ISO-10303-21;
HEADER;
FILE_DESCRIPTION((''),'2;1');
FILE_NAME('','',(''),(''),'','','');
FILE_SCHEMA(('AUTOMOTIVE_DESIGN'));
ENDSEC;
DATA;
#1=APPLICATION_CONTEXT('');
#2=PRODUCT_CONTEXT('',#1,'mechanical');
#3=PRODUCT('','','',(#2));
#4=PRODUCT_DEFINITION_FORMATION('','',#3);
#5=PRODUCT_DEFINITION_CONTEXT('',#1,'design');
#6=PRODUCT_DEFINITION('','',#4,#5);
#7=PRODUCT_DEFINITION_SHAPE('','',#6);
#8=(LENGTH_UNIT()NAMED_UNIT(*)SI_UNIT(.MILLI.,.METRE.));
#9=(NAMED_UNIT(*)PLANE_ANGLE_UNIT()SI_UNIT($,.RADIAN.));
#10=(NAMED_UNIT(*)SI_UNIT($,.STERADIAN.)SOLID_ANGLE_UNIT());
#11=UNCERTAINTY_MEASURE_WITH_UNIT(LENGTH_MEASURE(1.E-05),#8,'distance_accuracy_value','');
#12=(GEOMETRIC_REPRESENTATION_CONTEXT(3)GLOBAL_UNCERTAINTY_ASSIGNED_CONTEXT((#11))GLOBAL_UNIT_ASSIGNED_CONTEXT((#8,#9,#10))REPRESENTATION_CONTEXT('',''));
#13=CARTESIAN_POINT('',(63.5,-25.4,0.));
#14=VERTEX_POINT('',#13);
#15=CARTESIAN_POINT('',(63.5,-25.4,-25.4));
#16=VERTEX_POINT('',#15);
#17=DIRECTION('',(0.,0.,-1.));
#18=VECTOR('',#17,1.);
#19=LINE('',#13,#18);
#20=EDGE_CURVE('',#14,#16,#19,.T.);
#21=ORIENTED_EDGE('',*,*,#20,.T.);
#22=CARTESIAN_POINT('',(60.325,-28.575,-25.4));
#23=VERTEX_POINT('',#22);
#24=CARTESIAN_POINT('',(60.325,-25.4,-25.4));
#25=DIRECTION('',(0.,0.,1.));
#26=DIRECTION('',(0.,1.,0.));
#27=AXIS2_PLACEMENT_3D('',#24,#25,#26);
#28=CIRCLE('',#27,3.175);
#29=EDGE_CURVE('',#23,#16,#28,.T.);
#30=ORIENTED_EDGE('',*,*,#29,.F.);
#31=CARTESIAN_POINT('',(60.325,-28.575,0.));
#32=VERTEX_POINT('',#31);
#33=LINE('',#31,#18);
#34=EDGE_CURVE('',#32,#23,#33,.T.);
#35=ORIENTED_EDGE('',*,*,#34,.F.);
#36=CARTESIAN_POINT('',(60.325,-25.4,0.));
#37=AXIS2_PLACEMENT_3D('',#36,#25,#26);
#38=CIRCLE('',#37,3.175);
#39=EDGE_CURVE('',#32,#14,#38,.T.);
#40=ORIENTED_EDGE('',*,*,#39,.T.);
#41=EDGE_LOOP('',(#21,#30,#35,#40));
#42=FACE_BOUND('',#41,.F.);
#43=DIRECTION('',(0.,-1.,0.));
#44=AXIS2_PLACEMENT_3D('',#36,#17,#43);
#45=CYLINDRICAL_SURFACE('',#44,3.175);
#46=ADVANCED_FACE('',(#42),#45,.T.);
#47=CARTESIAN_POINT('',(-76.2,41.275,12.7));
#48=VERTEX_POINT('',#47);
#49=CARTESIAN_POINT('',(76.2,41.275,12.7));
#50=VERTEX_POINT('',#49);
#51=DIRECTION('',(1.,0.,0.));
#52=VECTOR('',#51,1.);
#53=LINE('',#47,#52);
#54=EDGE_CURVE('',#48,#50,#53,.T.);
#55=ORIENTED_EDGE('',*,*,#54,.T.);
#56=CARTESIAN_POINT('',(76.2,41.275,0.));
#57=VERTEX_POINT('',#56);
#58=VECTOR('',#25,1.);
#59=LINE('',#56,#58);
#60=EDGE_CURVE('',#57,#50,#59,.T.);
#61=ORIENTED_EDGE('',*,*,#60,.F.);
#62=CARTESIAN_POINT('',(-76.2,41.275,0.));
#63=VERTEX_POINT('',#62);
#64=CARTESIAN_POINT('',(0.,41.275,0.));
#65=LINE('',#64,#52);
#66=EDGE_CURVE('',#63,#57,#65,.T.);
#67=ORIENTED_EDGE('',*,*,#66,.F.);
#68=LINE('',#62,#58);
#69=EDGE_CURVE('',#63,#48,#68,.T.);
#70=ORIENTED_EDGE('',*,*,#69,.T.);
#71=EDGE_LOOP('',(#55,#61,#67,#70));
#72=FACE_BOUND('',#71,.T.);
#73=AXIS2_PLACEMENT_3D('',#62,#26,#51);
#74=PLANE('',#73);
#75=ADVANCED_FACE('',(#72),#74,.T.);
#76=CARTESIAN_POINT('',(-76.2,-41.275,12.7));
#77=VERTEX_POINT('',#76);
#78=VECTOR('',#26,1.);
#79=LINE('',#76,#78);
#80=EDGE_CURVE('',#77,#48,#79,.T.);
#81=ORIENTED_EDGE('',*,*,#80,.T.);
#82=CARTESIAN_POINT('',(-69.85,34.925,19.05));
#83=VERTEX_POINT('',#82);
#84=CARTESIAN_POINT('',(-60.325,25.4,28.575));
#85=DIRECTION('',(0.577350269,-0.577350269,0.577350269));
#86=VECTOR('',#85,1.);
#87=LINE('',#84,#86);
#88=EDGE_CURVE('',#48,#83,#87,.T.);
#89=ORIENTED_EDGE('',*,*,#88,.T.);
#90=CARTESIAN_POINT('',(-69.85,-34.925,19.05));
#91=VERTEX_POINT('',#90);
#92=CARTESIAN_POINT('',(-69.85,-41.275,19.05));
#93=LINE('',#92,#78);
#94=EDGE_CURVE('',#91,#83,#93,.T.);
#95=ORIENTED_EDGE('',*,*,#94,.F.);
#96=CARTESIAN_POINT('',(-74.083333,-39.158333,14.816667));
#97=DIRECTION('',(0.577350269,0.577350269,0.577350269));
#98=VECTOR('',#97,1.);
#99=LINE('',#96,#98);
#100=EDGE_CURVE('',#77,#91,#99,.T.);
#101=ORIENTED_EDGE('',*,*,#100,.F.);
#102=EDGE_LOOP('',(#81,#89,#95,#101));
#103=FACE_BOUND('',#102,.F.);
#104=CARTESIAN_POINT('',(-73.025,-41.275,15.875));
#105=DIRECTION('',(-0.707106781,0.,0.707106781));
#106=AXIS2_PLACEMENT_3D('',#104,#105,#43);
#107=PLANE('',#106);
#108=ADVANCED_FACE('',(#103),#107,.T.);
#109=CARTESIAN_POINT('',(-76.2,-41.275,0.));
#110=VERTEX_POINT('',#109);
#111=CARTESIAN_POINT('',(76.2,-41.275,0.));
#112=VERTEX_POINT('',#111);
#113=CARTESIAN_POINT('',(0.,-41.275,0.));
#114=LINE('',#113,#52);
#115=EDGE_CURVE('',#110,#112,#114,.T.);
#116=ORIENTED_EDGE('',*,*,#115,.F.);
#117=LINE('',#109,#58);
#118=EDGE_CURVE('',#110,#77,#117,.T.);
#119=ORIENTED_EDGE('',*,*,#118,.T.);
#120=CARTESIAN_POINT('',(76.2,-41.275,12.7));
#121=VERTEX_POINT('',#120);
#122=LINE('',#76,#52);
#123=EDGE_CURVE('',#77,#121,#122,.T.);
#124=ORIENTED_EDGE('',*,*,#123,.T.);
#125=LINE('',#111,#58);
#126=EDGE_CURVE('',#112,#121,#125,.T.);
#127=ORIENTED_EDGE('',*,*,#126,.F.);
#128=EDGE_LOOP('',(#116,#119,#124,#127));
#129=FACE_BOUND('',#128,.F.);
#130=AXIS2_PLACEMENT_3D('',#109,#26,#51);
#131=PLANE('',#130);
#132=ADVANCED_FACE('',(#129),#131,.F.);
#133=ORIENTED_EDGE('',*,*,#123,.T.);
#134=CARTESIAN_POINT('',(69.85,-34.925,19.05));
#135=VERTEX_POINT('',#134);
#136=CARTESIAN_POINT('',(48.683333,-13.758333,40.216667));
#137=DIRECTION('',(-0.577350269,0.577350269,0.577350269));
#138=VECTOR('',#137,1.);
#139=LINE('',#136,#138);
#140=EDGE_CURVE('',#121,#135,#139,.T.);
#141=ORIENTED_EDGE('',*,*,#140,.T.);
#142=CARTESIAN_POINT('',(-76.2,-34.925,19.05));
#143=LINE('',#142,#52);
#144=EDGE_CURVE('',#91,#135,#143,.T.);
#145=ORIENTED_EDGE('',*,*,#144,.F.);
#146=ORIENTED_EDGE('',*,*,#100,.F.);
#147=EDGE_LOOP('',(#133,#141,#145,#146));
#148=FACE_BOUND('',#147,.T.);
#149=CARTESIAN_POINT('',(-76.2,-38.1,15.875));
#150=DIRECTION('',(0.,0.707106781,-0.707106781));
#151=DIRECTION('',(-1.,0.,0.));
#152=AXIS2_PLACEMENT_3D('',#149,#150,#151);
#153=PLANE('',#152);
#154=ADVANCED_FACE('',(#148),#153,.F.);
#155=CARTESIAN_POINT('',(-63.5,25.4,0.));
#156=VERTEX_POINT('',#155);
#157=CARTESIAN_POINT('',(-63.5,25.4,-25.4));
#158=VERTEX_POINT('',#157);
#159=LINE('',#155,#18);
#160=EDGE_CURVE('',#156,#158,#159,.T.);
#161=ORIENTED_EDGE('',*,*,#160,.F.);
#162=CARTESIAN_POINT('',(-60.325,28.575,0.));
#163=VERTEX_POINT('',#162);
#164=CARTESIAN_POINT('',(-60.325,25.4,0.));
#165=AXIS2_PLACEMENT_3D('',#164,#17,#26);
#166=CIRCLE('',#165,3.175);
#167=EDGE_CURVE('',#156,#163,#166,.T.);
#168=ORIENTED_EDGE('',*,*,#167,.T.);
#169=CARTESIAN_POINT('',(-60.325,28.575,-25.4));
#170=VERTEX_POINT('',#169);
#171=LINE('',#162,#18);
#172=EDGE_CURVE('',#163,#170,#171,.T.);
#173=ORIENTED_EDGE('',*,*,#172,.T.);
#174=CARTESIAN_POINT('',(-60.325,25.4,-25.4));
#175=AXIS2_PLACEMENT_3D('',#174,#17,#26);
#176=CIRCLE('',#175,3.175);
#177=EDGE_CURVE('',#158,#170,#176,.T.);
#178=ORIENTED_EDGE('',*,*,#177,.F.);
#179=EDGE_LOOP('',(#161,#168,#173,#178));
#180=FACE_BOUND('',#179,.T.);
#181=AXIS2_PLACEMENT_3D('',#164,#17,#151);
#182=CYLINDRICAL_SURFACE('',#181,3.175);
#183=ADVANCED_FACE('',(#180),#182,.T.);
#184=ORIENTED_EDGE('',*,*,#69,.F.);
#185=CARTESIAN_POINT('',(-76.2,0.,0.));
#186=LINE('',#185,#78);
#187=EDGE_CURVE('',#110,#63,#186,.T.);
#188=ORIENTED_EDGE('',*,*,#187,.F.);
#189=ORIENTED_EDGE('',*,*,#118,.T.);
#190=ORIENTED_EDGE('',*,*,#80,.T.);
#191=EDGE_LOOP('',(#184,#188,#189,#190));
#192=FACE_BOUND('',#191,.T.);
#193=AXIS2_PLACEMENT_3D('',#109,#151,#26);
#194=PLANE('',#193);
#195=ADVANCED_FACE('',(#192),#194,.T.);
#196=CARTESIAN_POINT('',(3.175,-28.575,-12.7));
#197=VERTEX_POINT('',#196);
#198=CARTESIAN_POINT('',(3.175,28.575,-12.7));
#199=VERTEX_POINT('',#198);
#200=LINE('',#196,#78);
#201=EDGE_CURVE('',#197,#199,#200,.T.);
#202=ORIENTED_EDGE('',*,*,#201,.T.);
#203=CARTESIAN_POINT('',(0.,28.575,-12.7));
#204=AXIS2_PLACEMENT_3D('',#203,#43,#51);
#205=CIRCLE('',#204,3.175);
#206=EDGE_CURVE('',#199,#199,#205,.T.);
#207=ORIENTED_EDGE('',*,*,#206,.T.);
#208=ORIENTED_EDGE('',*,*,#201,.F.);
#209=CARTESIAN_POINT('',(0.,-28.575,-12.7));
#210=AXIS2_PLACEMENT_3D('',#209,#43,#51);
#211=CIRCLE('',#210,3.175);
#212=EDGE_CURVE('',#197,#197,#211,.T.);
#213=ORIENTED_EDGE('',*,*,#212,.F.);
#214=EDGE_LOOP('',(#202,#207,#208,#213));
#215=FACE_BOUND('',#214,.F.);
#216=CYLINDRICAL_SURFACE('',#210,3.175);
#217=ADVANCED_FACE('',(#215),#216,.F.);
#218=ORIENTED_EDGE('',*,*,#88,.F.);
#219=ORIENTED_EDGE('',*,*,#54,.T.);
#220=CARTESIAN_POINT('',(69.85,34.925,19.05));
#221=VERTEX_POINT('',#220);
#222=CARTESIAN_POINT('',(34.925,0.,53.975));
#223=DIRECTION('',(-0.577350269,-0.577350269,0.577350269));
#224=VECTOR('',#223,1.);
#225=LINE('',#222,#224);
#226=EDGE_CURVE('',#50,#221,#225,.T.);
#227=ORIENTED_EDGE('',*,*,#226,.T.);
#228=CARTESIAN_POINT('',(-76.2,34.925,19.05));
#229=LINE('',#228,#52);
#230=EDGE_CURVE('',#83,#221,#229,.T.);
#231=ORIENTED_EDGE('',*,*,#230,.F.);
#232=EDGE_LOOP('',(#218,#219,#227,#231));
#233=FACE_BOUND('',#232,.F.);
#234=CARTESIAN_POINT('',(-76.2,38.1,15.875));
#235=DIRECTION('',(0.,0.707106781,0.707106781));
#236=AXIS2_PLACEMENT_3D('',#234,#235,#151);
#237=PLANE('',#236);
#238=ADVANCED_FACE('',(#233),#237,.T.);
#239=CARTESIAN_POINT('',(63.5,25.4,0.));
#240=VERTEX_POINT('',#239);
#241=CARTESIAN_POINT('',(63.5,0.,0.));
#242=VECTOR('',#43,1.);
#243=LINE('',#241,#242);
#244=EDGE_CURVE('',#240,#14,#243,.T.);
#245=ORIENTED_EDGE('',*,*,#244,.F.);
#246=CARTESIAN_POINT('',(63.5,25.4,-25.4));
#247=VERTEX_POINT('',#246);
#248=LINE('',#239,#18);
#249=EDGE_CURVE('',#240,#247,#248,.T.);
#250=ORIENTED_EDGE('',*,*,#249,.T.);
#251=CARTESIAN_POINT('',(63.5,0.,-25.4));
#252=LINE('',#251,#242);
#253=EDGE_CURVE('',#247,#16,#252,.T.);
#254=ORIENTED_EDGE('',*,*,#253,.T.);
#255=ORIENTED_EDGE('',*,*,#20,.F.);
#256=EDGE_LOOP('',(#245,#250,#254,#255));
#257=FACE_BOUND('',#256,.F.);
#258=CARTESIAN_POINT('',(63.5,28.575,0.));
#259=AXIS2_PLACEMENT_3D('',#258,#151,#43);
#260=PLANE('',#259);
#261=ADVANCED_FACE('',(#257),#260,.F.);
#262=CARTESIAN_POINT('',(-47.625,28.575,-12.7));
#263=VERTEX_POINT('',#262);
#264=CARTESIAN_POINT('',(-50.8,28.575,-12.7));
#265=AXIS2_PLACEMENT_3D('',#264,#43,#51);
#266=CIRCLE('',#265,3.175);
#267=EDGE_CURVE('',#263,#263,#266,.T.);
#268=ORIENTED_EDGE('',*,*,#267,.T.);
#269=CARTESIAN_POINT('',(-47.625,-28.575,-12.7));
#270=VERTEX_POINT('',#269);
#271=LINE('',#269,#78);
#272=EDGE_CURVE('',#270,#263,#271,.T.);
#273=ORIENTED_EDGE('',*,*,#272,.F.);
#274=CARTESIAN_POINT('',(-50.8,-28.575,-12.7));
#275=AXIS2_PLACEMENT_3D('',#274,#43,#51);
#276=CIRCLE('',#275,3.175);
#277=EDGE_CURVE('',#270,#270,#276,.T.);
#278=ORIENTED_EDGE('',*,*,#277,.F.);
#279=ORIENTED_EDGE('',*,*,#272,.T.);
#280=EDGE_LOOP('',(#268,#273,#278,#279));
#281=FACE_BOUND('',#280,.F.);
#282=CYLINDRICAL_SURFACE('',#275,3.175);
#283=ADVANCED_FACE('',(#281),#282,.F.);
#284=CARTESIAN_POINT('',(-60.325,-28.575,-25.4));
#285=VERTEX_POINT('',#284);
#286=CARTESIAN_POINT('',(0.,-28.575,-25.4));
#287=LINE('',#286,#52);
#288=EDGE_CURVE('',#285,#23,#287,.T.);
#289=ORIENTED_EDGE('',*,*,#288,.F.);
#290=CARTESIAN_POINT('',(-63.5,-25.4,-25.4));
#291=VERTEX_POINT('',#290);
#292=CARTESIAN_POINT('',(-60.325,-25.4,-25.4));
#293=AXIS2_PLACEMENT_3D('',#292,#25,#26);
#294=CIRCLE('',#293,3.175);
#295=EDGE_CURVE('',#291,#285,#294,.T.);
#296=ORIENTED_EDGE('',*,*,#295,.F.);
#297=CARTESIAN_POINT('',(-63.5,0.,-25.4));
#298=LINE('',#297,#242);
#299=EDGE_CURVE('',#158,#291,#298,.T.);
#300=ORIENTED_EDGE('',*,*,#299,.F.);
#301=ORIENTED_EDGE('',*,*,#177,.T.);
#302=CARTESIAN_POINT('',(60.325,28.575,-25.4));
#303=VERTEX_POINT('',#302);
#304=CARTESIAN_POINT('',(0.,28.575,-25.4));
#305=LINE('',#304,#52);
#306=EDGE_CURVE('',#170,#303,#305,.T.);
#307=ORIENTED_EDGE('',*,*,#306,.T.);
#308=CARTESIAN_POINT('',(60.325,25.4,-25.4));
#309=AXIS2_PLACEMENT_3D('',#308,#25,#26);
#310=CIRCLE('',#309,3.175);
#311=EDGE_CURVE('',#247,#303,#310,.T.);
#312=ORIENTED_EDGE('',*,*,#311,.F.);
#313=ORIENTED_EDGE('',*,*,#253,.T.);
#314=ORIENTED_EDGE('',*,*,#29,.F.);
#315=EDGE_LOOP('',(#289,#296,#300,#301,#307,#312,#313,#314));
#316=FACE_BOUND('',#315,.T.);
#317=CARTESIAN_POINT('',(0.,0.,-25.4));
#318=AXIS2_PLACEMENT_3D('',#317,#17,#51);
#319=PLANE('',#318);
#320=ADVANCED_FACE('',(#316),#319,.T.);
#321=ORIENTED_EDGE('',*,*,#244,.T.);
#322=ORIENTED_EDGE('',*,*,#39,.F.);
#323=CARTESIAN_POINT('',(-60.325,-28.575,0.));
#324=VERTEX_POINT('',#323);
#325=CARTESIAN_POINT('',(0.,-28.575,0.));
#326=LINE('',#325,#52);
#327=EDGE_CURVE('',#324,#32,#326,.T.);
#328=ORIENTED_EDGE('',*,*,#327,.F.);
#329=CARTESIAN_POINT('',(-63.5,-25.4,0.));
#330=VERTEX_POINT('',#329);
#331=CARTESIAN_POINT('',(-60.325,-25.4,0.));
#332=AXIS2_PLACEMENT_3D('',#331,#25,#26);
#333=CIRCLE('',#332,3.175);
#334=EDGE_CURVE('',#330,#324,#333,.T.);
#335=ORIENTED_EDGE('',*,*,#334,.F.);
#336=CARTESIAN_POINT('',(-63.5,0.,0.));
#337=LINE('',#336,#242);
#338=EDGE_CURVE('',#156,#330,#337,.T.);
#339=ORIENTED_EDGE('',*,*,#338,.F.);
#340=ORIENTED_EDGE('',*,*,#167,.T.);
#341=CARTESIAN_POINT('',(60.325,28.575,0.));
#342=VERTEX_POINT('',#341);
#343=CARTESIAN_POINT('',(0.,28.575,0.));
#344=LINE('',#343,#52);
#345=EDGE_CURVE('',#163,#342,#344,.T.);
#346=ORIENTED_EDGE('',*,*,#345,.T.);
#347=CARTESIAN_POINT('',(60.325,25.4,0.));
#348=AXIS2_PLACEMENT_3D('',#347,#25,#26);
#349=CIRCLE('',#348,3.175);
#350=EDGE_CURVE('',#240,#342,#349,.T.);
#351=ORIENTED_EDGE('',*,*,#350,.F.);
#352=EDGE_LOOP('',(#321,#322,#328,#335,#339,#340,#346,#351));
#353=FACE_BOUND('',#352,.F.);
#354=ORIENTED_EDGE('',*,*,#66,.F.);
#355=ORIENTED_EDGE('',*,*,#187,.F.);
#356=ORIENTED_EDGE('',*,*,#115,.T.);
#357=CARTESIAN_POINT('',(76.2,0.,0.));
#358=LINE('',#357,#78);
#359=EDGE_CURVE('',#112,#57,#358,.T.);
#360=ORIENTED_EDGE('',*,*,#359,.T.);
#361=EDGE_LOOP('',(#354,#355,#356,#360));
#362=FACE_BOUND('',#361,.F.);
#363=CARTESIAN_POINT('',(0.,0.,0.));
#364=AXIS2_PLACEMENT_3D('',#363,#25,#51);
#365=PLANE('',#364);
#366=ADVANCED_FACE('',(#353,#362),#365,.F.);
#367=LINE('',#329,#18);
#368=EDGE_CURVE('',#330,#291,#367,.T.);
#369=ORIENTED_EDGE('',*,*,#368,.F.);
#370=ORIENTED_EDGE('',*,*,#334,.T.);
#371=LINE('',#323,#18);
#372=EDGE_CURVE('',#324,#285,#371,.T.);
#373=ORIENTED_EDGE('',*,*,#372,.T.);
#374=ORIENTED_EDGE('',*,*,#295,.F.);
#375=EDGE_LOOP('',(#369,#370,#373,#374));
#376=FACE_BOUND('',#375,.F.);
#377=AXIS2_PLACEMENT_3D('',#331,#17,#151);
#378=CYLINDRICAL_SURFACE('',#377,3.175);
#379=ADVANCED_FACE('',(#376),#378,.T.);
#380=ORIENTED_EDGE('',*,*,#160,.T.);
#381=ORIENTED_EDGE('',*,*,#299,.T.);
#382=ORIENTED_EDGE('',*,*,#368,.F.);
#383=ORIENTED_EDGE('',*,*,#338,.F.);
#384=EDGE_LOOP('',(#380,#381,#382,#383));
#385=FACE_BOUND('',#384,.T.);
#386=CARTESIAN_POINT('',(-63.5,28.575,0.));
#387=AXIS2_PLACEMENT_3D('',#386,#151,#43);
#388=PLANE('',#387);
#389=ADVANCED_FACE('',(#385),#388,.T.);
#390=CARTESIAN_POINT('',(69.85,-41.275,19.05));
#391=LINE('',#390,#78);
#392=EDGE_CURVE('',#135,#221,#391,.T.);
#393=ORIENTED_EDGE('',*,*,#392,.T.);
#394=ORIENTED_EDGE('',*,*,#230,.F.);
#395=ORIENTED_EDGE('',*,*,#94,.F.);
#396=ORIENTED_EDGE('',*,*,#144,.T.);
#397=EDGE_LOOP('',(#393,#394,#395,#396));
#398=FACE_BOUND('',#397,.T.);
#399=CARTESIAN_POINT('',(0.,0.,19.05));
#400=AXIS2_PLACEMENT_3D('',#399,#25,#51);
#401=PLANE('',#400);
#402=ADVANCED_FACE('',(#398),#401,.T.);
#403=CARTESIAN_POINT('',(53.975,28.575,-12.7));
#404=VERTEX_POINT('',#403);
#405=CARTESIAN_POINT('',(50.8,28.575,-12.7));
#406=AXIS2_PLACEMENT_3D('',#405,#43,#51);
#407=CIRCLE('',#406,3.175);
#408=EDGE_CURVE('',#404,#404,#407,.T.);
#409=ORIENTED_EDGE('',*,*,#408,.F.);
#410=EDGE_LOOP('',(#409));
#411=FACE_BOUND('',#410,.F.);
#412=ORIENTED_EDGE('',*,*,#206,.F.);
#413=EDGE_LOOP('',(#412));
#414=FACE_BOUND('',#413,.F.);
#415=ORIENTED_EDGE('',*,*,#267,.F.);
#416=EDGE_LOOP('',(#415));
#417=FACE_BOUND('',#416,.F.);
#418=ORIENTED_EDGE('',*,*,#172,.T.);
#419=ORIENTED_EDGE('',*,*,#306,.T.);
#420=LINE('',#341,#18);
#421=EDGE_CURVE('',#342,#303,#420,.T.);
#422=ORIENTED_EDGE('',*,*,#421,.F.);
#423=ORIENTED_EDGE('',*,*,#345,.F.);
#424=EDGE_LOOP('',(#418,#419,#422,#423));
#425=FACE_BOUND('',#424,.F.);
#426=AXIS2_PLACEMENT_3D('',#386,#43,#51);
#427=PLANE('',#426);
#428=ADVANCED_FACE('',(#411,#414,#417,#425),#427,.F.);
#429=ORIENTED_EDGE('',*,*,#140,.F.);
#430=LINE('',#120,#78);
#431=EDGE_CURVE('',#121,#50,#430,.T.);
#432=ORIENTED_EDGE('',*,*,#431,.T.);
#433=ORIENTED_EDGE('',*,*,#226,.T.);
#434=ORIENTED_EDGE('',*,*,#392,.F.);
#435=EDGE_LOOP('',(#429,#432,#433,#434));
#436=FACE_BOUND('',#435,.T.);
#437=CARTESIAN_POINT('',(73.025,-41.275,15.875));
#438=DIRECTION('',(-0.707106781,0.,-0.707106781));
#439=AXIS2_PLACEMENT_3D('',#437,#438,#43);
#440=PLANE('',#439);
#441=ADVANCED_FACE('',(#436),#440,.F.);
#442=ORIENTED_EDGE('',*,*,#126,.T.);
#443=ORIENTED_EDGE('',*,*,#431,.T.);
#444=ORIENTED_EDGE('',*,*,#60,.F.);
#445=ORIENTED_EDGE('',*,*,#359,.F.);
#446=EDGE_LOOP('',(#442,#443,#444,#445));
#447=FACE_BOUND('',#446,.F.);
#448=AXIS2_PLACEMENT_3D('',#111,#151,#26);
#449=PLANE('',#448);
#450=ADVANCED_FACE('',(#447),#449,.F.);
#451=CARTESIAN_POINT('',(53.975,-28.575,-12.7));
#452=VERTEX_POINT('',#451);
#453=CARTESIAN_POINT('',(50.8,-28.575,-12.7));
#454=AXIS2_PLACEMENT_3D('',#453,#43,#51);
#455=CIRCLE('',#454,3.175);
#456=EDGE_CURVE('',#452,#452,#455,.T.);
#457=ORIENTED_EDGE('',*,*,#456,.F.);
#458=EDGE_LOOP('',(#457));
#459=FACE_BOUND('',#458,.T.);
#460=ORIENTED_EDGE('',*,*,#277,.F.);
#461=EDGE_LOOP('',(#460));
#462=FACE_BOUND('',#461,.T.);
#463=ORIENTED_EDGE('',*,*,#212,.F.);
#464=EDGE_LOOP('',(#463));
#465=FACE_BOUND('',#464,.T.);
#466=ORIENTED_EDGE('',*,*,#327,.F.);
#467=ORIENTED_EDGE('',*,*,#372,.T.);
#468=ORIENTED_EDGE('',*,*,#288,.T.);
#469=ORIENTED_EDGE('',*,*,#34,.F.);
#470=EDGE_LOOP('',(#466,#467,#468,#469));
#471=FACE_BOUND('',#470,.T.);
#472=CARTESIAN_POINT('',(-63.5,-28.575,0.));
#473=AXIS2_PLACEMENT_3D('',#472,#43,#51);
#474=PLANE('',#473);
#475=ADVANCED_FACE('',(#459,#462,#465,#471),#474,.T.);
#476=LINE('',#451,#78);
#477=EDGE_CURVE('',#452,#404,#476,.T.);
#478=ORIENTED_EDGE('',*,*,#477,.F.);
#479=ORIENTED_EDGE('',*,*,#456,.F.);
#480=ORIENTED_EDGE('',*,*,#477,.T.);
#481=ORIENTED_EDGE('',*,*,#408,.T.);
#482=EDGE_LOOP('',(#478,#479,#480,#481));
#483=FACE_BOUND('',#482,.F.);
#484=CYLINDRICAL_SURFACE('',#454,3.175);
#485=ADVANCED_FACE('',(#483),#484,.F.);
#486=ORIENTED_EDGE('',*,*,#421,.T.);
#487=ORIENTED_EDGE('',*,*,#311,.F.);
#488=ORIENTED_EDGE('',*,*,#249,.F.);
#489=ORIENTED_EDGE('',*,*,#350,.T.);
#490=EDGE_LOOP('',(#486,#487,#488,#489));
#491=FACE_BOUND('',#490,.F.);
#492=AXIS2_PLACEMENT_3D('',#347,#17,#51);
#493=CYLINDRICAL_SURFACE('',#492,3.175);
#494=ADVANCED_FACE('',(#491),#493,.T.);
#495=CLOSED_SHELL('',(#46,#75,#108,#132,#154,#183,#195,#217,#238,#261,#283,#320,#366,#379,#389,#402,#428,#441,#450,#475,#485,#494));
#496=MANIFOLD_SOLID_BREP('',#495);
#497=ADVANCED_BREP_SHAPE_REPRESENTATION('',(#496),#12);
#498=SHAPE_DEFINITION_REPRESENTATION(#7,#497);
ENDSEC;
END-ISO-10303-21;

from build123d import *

# Parameters (mm, degrees)
F0_W     = 152.4
F0_H     = 82.55
F1_DEPTH = 19.05
F2_SIZE  = 6.35
F3_W     = 127
F3_H     = 57.15
F4_DEPTH = 25.4
F5_R     = 3.175
F6_DEPTH = 69.851
F7_R     = 3.175


with BuildPart() as f1:
    # F0 (on Top) → F1 (new body)
    with BuildSketch(Plane.XY):
        Rectangle(F0_W, F0_H)
    extrude(amount=F1_DEPTH)

    # F2
    f2_edges = [f1.edges().sort_by_distance(p)[0] for p in [
        (0, 41.275, 19.05),
        (-76.2, 0, 19.05),
        (0, -41.275, 19.05),
        (76.2, 0, 19.05),
    ]]
    chamfer(f2_edges, length=F2_SIZE)

    # F3 (on face) → F4 (join)
    with BuildSketch(Plane(origin=(0, 0, 0), x_dir=(1, 0, 0), z_dir=(0, 0, -1))):
        Rectangle(F3_W, F3_H)
    extrude(amount=F4_DEPTH)

    # F5 (on face) → F6 (cut, through all)
    with BuildSketch(Plane.XZ.offset(28.575)):
        with Locations((-50.8, -12.7)):
            Circle(F5_R)
        with Locations((0, -12.7)):
            Circle(F5_R)
        with Locations((50.8, -12.7)):
            Circle(F5_R)
    extrude(amount=-F6_DEPTH, mode=Mode.SUBTRACT)

    # F7
    f7_edges = [f1.edges().sort_by_distance(p)[0] for p in [
        (-63.5, -28.575, -12.7),
        (63.5, -28.575, -12.7),
        (-63.5, 28.575, -12.7),
        (63.5, 28.575, -12.7),
    ]]
    fillet(f7_edges, radius=F7_R)


solid = f1.part
